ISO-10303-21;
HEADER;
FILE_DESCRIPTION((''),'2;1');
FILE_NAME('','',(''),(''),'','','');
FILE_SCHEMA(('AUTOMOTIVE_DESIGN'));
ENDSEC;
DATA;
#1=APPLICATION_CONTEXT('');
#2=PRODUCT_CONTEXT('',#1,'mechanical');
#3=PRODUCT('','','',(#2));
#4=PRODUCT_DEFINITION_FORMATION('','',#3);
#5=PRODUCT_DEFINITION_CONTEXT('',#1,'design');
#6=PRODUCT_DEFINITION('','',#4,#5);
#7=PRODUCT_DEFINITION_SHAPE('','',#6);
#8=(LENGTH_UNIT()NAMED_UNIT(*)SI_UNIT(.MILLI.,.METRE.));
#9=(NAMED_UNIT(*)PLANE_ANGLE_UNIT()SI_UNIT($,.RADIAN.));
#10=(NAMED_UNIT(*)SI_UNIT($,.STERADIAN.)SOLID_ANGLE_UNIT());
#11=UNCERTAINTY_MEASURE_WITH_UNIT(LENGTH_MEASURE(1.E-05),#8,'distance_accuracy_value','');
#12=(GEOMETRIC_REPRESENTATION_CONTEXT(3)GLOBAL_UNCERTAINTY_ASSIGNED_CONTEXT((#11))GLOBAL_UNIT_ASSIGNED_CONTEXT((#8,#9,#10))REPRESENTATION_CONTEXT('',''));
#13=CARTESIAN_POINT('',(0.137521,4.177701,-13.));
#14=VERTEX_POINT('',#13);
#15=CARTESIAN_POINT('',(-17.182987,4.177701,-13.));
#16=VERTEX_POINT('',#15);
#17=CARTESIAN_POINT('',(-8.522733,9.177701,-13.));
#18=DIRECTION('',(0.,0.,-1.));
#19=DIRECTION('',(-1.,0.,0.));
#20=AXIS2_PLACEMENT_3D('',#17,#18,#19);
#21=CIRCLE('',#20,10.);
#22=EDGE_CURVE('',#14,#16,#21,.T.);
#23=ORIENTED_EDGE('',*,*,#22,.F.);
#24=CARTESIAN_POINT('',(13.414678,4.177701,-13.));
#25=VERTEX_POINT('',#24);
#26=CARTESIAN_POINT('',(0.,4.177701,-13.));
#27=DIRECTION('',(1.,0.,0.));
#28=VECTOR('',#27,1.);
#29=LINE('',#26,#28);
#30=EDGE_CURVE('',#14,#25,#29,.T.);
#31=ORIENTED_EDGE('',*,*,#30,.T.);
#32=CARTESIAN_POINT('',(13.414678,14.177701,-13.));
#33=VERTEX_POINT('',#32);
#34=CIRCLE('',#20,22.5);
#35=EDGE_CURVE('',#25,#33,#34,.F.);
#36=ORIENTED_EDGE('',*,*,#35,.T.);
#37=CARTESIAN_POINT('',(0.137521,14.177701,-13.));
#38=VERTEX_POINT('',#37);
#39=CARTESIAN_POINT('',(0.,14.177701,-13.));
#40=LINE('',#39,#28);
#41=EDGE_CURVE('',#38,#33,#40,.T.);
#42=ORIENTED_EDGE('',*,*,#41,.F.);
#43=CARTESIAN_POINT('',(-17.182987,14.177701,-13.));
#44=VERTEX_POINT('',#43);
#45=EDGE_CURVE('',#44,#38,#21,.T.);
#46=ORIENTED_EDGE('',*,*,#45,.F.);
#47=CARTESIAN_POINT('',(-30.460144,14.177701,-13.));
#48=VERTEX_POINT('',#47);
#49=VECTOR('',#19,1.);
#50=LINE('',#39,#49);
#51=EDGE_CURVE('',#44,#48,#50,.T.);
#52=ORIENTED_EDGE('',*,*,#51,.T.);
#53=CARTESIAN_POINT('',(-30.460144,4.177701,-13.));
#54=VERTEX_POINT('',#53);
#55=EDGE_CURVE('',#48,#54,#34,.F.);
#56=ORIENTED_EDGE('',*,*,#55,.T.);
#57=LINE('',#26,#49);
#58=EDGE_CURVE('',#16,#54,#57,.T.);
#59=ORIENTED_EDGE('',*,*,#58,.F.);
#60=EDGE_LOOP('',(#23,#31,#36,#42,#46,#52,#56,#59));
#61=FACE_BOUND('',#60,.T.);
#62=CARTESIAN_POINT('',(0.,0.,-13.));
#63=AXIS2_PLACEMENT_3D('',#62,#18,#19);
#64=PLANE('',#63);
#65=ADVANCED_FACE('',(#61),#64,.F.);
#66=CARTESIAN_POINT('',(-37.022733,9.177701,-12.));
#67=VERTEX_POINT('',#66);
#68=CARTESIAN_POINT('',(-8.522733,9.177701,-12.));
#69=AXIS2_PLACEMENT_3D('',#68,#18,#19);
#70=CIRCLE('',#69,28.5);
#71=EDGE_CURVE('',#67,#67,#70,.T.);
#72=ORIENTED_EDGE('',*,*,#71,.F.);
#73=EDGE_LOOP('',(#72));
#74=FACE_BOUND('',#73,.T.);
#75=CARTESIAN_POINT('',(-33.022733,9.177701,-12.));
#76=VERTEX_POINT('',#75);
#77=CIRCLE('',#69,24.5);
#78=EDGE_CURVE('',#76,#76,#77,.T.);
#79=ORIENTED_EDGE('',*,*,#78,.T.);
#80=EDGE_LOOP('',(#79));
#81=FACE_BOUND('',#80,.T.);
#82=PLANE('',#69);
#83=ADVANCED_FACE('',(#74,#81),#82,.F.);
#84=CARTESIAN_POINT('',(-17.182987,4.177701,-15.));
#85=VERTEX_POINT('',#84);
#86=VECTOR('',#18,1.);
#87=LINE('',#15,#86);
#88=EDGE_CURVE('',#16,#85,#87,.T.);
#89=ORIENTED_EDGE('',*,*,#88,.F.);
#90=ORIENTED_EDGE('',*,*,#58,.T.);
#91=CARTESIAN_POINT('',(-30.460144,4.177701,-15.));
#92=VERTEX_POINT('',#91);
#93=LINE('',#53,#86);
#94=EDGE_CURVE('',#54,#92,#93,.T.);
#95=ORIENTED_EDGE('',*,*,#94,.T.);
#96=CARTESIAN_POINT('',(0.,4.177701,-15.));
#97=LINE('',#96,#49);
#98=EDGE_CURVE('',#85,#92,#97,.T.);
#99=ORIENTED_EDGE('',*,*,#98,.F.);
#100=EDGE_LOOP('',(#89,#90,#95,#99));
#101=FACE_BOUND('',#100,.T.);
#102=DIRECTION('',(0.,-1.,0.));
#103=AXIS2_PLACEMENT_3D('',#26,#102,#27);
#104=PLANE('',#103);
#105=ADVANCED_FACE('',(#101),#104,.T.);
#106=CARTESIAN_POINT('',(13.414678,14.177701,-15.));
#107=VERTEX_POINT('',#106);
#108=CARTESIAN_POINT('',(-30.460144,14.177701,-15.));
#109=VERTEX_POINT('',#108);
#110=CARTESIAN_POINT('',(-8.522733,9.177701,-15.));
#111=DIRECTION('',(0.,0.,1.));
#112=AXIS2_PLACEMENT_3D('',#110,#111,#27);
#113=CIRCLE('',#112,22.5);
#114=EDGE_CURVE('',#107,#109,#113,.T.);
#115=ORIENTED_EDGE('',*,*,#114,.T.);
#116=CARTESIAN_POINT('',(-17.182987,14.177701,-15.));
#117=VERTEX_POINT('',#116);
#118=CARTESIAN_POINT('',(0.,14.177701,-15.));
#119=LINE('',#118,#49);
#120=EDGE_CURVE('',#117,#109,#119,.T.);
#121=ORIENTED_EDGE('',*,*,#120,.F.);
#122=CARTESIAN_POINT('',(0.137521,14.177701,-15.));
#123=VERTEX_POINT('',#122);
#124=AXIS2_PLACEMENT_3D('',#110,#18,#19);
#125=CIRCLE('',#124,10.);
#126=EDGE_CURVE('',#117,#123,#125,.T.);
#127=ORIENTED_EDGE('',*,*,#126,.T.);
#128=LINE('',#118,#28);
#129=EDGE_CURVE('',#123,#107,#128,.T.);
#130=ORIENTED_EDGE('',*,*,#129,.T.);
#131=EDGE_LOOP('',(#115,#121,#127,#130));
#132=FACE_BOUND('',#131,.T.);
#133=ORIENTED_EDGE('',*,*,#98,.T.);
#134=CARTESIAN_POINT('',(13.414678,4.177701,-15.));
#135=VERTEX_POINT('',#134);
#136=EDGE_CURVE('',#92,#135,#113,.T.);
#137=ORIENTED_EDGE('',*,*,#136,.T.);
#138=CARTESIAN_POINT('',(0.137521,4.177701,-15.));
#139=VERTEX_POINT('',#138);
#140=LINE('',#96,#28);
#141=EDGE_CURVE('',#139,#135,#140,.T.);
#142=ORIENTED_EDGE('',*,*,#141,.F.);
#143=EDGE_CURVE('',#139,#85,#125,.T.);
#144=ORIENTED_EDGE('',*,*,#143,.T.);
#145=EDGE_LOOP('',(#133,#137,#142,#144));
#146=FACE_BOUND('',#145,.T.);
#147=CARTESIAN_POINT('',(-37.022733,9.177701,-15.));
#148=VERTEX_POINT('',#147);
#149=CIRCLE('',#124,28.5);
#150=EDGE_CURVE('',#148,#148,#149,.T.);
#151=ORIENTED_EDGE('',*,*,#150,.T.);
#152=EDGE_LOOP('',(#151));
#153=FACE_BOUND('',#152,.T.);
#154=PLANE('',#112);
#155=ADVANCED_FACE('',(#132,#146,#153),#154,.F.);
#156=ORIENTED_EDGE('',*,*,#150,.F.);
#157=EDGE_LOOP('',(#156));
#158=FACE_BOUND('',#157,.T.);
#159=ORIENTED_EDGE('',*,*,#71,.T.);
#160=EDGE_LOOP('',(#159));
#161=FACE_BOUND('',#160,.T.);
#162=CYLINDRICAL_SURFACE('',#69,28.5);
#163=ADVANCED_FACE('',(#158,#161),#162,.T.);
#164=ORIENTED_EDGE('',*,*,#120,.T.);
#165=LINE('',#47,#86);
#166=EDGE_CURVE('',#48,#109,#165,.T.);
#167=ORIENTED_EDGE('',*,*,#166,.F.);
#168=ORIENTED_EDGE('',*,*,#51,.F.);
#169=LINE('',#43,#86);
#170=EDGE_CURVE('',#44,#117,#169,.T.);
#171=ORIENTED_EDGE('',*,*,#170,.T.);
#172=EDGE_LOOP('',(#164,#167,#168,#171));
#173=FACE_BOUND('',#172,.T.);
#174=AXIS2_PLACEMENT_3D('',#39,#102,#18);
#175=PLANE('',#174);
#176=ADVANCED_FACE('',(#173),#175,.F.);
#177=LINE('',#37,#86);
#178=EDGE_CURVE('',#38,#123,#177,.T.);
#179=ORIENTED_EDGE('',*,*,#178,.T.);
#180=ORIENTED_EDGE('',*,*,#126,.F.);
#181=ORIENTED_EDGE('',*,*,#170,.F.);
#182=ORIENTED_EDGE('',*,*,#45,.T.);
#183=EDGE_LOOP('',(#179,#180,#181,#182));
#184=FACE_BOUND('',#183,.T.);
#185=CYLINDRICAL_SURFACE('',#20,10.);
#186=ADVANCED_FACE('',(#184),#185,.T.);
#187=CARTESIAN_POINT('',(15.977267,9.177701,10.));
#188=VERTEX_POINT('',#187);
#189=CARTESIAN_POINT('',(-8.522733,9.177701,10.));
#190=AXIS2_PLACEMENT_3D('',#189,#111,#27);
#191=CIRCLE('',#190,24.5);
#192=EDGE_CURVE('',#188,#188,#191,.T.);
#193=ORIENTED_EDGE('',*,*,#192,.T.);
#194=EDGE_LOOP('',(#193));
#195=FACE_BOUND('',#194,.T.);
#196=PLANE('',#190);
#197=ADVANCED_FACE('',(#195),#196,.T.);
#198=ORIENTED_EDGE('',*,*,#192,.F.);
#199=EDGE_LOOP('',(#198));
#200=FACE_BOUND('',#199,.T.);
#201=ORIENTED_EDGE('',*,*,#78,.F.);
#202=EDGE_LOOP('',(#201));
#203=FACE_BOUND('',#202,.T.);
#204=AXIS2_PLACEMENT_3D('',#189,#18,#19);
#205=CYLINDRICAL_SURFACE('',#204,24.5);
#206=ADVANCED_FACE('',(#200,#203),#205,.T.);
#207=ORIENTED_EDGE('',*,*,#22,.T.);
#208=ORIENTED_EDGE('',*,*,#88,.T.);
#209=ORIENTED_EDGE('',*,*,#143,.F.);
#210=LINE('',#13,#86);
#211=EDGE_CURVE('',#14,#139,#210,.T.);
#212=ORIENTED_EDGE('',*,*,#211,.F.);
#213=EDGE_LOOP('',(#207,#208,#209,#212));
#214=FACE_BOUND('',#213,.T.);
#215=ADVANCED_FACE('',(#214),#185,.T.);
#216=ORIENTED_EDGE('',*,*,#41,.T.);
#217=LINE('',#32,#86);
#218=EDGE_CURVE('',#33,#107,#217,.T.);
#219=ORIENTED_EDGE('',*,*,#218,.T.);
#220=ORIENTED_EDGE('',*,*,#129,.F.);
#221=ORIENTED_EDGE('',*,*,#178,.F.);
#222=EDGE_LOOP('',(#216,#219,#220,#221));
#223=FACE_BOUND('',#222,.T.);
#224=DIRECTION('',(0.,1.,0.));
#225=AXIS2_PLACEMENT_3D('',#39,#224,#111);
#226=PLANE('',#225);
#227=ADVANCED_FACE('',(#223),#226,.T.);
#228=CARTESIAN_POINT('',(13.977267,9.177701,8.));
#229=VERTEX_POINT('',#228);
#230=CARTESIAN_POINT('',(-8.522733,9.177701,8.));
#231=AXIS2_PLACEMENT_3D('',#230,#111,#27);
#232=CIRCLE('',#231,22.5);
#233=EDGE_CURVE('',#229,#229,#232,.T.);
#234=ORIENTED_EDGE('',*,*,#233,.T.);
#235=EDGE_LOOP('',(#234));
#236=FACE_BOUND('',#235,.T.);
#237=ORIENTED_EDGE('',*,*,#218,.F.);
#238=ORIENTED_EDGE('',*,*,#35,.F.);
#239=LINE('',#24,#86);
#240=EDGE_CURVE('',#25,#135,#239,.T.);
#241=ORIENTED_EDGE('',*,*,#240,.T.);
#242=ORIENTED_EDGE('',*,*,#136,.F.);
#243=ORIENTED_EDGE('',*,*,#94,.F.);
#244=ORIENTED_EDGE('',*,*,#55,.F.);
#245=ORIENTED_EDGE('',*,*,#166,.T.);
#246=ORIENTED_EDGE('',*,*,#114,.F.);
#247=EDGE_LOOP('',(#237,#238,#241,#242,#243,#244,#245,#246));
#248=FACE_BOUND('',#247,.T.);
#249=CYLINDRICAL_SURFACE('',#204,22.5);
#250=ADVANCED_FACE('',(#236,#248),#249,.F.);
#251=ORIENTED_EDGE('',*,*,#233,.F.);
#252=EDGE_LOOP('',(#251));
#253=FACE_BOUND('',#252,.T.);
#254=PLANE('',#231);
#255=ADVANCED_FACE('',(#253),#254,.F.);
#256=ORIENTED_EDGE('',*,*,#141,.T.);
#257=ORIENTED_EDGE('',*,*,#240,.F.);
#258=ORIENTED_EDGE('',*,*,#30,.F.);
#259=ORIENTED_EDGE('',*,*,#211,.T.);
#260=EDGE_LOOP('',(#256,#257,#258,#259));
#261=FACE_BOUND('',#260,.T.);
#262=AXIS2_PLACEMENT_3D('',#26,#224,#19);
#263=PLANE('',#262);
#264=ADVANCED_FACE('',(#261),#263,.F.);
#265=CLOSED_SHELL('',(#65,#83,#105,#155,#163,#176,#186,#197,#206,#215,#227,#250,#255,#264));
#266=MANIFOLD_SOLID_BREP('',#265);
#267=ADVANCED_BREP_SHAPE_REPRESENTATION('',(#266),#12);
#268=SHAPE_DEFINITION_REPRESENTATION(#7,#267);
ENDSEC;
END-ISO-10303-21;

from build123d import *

# Parameters (mm, degrees)
SKETCH1_R                = 24.5
SKETCH1_R_2              = 22.5
BOSS_EXTRUDE1_DEPTH      = 10
BOSS_EXTRUDE1_DEPTH_BACK = 15
SKETCH2_R                = 22.735866394
BOSS_EXTRUDE2_DEPTH      = 2
BOSS_EXTRUDE3_DEPTH      = 2
SKETCH4_R                = 28.5
SKETCH4_R_2              = 24.5
BOSS_EXTRUDE4_DEPTH      = 3


with BuildPart() as part:
    # Sketch1 → Boss-Extrude1 (new body, two sides)
    with BuildSketch(Plane.XY) as boss_extrude1_sk:
        with Locations((-8.522732981, 9.177701176)):
            Circle(SKETCH1_R)
        with Locations((-8.522732981, 9.177701176)):
            Circle(SKETCH1_R_2, mode=Mode.SUBTRACT)
    extrude(amount=BOSS_EXTRUDE1_DEPTH)
    extrude(boss_extrude1_sk.sketch, amount=-BOSS_EXTRUDE1_DEPTH_BACK)

    # Sketch2 → Boss-Extrude2 (add)
    with BuildSketch(Plane.XY.offset(10)):
        with Locations((-8.522732981, 9.177701176)):
            Circle(SKETCH2_R)
    extrude(amount=-BOSS_EXTRUDE2_DEPTH)

    # Sketch3 → Boss-Extrude3 (add)
    with BuildSketch(Plane(origin=(0, 0, -15), x_dir=(-1, 0, 0), z_dir=(0, 0, -1))):
        with BuildLine():
            Line((30.460143949, 14.177701176), (17.182987019, 14.177701176))
            ThreePointArc((17.182987019, 14.177701176), (18.181991244, 11.765891627), (18.522732981, 9.177701176))
            ThreePointArc((18.522732981, 9.177701176), (18.181991244, 6.589510725), (17.182987019, 4.177701176))
            Line((17.182987019, 4.177701176), (30.460143949, 4.177701176))
            ThreePointArc((30.460143949, 4.177701176), (30.881643361, 6.661925629), (31.022732981, 9.177701176))
            ThreePointArc((31.022732981, 9.177701176), (30.881643361, 11.693476723), (30.460143949, 14.177701176))
        make_face()
        with BuildLine():
            Line((17.182987019, 14.177701176), (16.522732981, 14.177701176))
            Line((16.522732981, 14.177701176), (16.522732981, 4.177701176))
            Line((16.522732981, 4.177701176), (17.182987019, 4.177701176))
            ThreePointArc((17.182987019, 4.177701176), (18.181991244, 6.589510725), (18.522732981, 9.177701176))
            ThreePointArc((18.522732981, 9.177701176), (18.181991244, 11.765891627), (17.182987019, 14.177701176))
        make_face()
        with BuildLine():
            Line((16.522732981, 4.177701176), (16.522732981, 14.177701176))
            Line((16.522732981, 14.177701176), (17.182987019, 14.177701176))
            ThreePointArc((17.182987019, 14.177701176), (8.522732981, 19.177701176), (-0.137521057, 14.177701176))
            Line((-0.137521057, 14.177701176), (0.522732981, 14.177701176))
            Line((0.522732981, 14.177701176), (0.522732981, 4.177701176))
            Line((0.522732981, 4.177701176), (-0.137521057, 4.177701176))
            ThreePointArc((-0.137521057, 4.177701176), (8.522732981, -0.822298824), (17.182987019, 4.177701176))
            Line((17.182987019, 4.177701176), (16.522732981, 4.177701176))
        make_face()
        with BuildLine():
            Line((0.522732981, 14.177701176), (-0.137521057, 14.177701176))
            ThreePointArc((-0.137521057, 14.177701176), (-1.477267019, 9.177701176), (-0.137521057, 4.177701176))
            Line((-0.137521057, 4.177701176), (0.522732981, 4.177701176))
            Line((0.522732981, 4.177701176), (0.522732981, 14.177701176))
        make_face()
        with BuildLine():
            ThreePointArc((-0.137521057, 4.177701176), (-1.477267019, 9.177701176), (-0.137521057, 14.177701176))
            Line((-0.137521057, 14.177701176), (-13.414677988, 14.177701176))
            ThreePointArc((-13.414677988, 14.177701176), (-13.836177399, 11.693476723), (-13.977267019, 9.177701176))
            ThreePointArc((-13.977267019, 9.177701176), (-13.836177399, 6.661925629), (-13.414677988, 4.177701176))
            Line((-13.414677988, 4.177701176), (-0.137521057, 4.177701176))
        make_face()
    extrude(amount=-BOSS_EXTRUDE3_DEPTH)

    # Sketch4 → Boss-Extrude4 (add)
    with BuildSketch(Plane(origin=(0, 0, -15), x_dir=(-1, 0, 0), z_dir=(0, 0, -1))):
        with Locations((8.522732981, 9.177701176)):
            Circle(SKETCH4_R)
        with Locations((8.522732981, 9.177701176)):
            Circle(SKETCH4_R_2, mode=Mode.SUBTRACT)
    extrude(amount=-BOSS_EXTRUDE4_DEPTH)


solid = part.part
